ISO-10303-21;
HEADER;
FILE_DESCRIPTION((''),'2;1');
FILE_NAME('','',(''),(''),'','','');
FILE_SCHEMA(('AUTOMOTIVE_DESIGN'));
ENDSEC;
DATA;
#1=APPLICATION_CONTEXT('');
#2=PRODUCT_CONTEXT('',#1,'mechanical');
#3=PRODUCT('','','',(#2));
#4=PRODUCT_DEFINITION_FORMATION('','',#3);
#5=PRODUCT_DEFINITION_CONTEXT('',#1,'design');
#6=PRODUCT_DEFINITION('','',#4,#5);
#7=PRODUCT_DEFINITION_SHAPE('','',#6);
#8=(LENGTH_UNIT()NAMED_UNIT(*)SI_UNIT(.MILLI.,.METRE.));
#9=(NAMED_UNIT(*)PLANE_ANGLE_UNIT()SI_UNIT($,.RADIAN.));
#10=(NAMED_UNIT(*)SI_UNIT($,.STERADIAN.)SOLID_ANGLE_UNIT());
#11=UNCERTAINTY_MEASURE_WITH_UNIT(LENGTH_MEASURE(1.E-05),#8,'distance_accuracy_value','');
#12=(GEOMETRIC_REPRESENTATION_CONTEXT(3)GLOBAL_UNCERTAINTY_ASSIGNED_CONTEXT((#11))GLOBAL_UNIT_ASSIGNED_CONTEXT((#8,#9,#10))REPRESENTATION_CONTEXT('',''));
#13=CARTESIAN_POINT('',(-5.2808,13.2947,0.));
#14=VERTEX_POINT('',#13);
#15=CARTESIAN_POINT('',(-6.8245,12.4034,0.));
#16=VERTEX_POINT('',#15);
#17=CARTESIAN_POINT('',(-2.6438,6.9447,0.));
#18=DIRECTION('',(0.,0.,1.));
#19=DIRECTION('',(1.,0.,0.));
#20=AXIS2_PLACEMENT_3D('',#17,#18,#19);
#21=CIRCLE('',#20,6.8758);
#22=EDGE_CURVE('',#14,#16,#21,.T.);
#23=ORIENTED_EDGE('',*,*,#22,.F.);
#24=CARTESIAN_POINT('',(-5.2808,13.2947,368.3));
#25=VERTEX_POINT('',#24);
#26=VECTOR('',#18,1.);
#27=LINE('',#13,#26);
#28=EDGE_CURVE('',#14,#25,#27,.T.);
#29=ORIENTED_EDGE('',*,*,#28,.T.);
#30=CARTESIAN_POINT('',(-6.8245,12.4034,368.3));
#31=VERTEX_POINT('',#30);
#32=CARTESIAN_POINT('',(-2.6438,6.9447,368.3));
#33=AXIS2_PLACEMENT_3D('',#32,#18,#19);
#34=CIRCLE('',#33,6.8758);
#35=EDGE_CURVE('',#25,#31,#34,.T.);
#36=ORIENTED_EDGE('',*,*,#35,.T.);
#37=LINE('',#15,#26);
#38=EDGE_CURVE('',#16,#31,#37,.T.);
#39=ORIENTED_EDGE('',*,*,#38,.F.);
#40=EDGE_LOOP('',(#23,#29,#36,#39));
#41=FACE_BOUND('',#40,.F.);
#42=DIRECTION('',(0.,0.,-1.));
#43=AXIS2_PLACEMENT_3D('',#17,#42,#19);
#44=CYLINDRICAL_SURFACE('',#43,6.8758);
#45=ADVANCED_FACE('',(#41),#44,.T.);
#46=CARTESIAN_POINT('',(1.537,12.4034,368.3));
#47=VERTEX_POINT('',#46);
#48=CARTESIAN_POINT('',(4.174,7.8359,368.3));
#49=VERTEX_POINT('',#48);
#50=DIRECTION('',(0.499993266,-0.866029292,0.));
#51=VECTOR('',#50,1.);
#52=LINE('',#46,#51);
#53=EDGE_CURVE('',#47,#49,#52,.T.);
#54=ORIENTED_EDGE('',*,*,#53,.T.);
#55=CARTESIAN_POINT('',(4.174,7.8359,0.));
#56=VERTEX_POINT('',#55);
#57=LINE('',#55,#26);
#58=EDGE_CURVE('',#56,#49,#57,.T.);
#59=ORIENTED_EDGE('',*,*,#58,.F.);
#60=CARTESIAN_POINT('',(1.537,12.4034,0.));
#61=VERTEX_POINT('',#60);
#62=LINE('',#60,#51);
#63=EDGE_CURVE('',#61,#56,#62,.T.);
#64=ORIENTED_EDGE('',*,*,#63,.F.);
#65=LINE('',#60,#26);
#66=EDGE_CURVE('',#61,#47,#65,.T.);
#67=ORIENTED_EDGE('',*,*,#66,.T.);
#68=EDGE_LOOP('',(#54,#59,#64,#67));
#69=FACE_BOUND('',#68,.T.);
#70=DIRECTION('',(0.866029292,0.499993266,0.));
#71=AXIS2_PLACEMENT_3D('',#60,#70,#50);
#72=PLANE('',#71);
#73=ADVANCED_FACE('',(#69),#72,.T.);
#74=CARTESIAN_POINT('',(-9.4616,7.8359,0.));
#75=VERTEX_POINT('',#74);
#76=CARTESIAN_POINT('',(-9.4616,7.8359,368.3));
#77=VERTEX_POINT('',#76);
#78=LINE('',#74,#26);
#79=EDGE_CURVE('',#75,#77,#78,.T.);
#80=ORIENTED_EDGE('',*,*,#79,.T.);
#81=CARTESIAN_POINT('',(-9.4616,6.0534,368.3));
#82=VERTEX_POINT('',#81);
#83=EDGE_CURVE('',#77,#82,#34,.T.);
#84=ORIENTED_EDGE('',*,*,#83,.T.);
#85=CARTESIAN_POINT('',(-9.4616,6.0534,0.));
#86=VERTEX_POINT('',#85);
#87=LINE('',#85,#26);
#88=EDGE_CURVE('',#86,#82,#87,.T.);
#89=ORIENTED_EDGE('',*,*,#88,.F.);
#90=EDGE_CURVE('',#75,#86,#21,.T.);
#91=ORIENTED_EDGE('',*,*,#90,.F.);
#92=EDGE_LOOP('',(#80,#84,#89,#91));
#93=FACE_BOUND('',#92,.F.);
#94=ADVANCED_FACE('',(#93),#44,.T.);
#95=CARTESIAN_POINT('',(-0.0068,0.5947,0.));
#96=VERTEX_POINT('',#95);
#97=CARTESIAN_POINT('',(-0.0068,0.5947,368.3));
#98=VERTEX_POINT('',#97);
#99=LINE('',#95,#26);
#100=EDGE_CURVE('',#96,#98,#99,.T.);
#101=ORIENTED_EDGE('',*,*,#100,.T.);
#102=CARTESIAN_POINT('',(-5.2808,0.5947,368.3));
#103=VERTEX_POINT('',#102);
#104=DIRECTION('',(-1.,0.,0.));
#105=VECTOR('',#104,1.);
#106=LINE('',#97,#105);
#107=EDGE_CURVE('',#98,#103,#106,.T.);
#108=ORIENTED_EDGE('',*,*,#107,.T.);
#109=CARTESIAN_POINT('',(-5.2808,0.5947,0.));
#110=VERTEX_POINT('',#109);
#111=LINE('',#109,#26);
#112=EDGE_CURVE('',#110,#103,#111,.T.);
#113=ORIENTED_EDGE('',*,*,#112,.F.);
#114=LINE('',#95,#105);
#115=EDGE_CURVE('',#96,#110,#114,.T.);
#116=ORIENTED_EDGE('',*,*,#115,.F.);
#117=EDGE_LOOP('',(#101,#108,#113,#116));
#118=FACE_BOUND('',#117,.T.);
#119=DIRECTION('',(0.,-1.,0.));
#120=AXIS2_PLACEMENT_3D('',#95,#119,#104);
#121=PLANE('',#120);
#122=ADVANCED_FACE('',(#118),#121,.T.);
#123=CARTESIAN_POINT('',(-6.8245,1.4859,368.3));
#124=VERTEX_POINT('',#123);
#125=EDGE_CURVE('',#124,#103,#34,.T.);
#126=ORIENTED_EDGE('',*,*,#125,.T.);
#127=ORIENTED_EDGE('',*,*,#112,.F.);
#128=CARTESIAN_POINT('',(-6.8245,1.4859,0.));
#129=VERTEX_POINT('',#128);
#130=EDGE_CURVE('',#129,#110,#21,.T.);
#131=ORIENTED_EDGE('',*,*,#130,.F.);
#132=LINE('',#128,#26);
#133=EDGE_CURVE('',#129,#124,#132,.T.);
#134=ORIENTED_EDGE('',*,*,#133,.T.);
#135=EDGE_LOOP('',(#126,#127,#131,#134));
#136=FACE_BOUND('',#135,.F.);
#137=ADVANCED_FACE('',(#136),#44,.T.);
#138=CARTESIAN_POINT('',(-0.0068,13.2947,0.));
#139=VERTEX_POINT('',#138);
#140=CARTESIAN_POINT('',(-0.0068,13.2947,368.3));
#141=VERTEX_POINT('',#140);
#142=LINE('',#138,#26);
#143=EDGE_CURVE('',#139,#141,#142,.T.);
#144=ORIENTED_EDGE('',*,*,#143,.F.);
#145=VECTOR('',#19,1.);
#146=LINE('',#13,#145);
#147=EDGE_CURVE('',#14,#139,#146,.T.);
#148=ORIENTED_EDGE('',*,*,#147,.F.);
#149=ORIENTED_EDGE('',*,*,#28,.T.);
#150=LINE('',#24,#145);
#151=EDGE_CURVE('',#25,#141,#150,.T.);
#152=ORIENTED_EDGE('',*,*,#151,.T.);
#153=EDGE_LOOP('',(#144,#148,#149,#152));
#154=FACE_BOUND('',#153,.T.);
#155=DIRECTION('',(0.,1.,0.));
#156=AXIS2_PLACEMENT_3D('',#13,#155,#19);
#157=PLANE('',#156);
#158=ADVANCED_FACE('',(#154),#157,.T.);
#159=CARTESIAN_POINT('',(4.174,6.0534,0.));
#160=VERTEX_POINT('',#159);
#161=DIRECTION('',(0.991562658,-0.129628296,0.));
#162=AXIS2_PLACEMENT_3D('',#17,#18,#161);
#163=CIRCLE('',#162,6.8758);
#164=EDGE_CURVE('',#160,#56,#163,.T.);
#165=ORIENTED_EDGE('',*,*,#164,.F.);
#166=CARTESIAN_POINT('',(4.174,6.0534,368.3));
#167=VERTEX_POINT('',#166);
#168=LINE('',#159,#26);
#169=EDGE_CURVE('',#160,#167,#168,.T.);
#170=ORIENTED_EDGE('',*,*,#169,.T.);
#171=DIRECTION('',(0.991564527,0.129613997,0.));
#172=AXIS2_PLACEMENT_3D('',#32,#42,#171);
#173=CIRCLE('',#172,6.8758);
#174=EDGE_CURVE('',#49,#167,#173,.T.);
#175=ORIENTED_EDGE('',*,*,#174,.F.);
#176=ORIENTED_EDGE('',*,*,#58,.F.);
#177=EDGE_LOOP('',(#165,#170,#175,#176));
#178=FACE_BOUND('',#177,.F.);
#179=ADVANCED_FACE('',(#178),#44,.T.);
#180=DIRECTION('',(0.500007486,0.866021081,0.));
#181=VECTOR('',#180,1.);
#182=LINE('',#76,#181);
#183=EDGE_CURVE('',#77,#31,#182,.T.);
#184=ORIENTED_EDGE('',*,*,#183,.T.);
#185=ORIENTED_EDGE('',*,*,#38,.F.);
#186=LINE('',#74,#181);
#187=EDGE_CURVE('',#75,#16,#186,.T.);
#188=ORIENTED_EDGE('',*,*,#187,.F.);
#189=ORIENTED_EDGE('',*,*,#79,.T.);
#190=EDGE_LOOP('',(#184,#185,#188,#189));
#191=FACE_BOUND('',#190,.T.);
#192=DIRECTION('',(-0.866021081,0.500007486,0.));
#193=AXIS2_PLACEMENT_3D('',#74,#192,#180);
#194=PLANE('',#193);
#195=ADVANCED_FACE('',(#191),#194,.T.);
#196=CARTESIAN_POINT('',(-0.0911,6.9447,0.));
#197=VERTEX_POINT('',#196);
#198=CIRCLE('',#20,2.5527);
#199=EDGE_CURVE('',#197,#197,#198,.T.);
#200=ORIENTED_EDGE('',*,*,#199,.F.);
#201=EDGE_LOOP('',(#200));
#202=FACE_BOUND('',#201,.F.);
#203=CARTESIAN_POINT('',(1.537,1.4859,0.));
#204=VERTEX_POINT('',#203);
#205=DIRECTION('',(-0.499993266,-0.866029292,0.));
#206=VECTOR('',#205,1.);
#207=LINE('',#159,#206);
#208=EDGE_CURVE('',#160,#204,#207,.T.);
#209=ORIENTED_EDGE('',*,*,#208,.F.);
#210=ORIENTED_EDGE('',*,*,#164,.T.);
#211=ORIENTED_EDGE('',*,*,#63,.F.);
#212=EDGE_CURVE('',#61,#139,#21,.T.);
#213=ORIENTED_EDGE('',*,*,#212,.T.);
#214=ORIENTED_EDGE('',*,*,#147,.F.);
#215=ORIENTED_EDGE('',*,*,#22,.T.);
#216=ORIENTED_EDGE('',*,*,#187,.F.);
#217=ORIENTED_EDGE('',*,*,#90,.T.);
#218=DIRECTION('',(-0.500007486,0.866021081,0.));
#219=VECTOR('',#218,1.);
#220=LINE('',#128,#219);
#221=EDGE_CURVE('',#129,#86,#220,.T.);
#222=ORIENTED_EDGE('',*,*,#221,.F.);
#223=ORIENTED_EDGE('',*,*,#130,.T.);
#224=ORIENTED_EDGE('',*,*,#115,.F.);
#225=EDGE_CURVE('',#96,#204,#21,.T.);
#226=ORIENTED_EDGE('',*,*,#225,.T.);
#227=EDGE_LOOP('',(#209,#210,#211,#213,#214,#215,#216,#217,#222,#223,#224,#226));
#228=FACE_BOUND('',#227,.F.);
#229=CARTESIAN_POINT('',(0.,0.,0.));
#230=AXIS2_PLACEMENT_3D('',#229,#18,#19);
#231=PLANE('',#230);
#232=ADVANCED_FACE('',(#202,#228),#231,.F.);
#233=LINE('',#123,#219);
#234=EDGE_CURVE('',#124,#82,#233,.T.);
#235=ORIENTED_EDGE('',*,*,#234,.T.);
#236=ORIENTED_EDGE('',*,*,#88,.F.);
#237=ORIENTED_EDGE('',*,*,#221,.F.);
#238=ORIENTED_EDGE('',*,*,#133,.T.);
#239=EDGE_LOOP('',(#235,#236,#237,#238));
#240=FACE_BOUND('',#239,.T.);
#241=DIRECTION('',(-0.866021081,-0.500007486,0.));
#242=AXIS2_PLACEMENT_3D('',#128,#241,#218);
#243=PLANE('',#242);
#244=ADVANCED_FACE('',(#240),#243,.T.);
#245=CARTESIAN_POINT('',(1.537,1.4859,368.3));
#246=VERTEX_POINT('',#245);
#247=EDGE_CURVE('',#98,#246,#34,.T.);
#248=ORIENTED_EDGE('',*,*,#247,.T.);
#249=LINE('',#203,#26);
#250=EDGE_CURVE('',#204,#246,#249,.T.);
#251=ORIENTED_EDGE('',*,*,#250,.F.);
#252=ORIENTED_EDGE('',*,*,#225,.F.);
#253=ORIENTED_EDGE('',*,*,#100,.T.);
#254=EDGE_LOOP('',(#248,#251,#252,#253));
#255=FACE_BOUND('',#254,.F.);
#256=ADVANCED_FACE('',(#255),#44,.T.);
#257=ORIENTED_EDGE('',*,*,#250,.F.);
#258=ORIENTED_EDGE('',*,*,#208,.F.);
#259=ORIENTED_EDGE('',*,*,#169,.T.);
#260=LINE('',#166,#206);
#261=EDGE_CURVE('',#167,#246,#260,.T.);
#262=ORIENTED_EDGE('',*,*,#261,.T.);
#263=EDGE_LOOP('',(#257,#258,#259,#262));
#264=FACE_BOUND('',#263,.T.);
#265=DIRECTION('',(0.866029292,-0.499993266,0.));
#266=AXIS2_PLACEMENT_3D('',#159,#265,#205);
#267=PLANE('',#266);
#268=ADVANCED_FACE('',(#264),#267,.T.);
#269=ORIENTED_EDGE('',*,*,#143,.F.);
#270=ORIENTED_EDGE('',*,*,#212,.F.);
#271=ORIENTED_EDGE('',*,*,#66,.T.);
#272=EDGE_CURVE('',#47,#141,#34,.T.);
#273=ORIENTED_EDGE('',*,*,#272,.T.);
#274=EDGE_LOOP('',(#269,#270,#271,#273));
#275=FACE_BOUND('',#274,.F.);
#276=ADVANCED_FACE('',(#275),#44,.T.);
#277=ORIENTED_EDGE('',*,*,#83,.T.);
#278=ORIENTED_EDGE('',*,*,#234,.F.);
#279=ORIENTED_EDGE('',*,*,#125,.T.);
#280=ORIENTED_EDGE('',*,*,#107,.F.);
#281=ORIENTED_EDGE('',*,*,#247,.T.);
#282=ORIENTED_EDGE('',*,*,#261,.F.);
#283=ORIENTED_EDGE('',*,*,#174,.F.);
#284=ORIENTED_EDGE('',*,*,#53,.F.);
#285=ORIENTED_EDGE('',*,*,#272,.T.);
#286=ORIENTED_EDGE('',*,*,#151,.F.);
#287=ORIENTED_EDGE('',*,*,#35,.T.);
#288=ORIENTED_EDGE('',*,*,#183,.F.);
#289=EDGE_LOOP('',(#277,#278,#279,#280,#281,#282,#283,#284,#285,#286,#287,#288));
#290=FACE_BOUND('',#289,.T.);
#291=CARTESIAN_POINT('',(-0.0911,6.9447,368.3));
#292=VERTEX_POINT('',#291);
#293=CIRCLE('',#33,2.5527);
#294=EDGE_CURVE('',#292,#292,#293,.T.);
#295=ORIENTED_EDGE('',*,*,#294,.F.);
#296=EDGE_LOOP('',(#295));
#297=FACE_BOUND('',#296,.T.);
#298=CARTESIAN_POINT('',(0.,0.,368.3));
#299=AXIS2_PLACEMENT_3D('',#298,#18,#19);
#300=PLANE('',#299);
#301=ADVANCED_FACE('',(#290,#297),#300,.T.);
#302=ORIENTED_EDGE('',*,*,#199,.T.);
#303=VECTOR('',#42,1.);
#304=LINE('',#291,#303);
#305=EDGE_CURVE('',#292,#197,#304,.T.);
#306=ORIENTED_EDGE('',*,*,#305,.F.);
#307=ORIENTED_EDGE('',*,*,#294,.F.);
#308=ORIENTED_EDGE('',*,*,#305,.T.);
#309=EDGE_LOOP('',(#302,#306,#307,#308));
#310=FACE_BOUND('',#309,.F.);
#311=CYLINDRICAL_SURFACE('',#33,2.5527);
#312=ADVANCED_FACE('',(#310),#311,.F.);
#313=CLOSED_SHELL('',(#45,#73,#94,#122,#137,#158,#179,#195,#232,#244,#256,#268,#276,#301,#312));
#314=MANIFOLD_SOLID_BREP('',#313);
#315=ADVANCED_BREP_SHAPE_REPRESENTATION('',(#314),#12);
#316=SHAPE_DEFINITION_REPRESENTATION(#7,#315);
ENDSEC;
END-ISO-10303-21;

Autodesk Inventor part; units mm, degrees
ref_plane "YZ Plane" through (0, 0, 0) normal (1, 0, 0) x (0, 1, 0)
ref_plane "XZ Plane" through (0, 0, 0) normal (0, 1, 0) x (-1, 0, 0)
ref_plane "XY Plane" through (0, 0, 0) normal (0, 0, 1) x (1, 0, 0)
sketch "Sketch1" plane through (0, 0, 0) normal (0, 0, 1) x (1, 0, 0)
  circle A0 centre (-2.6438, 6.9447) radius 6.8758
  line L0 (-9.4616, 7.8359) -> (-6.8245, 12.4034)
  line L1 (-6.8245, 1.4859) -> (-9.4616, 6.0534)
  line L2 (-0.0068, 0.5947) -> (-5.2808, 0.5947)
  line L3 (4.174, 6.0534) -> (1.537, 1.4859)
  line L4 (1.537, 12.4034) -> (4.174, 7.8359)
  line L5 (-5.2808, 13.2947) -> (-0.0068, 13.2947)
  point P0 (0, 0)
  point P1 (1.537, 1.4859)
  dimension "d0" = 13.7516
  dimension "d4" = 360
extrude "Extrusion1" add sketch "Sketch1" along normal blind 368.3 contours A0 L3 L2 L1 L0 L5 L4
sketch "Sketch2" plane through (0, 0, 368.3) normal (0, 0, 1) x (1, 0, 0)
  circle A0 centre (-2.6438, 6.9447) radius 2.5527
  line L0 (-5.2808, 0.5947) -> (-0.0068, 0.5947) projected
  line L1 (-2.6438, 6.9447) -> (-5.2808, 0.5947) construction
  line L2 (-2.6438, 6.9447) -> (-0.0068, 0.5947) construction
  point P0 (0, 0)
  dimension "d8" = 5.1054
  dimension "d9" = 6.35
extrude "Extrusion2" cut sketch "Sketch2" against normal blind 368.3
equation "\"d6\" = d5"
equation "\"d10\" = d5"
equation "\"d5\" = 368.3"
properties part number "Thundershaft-2"
